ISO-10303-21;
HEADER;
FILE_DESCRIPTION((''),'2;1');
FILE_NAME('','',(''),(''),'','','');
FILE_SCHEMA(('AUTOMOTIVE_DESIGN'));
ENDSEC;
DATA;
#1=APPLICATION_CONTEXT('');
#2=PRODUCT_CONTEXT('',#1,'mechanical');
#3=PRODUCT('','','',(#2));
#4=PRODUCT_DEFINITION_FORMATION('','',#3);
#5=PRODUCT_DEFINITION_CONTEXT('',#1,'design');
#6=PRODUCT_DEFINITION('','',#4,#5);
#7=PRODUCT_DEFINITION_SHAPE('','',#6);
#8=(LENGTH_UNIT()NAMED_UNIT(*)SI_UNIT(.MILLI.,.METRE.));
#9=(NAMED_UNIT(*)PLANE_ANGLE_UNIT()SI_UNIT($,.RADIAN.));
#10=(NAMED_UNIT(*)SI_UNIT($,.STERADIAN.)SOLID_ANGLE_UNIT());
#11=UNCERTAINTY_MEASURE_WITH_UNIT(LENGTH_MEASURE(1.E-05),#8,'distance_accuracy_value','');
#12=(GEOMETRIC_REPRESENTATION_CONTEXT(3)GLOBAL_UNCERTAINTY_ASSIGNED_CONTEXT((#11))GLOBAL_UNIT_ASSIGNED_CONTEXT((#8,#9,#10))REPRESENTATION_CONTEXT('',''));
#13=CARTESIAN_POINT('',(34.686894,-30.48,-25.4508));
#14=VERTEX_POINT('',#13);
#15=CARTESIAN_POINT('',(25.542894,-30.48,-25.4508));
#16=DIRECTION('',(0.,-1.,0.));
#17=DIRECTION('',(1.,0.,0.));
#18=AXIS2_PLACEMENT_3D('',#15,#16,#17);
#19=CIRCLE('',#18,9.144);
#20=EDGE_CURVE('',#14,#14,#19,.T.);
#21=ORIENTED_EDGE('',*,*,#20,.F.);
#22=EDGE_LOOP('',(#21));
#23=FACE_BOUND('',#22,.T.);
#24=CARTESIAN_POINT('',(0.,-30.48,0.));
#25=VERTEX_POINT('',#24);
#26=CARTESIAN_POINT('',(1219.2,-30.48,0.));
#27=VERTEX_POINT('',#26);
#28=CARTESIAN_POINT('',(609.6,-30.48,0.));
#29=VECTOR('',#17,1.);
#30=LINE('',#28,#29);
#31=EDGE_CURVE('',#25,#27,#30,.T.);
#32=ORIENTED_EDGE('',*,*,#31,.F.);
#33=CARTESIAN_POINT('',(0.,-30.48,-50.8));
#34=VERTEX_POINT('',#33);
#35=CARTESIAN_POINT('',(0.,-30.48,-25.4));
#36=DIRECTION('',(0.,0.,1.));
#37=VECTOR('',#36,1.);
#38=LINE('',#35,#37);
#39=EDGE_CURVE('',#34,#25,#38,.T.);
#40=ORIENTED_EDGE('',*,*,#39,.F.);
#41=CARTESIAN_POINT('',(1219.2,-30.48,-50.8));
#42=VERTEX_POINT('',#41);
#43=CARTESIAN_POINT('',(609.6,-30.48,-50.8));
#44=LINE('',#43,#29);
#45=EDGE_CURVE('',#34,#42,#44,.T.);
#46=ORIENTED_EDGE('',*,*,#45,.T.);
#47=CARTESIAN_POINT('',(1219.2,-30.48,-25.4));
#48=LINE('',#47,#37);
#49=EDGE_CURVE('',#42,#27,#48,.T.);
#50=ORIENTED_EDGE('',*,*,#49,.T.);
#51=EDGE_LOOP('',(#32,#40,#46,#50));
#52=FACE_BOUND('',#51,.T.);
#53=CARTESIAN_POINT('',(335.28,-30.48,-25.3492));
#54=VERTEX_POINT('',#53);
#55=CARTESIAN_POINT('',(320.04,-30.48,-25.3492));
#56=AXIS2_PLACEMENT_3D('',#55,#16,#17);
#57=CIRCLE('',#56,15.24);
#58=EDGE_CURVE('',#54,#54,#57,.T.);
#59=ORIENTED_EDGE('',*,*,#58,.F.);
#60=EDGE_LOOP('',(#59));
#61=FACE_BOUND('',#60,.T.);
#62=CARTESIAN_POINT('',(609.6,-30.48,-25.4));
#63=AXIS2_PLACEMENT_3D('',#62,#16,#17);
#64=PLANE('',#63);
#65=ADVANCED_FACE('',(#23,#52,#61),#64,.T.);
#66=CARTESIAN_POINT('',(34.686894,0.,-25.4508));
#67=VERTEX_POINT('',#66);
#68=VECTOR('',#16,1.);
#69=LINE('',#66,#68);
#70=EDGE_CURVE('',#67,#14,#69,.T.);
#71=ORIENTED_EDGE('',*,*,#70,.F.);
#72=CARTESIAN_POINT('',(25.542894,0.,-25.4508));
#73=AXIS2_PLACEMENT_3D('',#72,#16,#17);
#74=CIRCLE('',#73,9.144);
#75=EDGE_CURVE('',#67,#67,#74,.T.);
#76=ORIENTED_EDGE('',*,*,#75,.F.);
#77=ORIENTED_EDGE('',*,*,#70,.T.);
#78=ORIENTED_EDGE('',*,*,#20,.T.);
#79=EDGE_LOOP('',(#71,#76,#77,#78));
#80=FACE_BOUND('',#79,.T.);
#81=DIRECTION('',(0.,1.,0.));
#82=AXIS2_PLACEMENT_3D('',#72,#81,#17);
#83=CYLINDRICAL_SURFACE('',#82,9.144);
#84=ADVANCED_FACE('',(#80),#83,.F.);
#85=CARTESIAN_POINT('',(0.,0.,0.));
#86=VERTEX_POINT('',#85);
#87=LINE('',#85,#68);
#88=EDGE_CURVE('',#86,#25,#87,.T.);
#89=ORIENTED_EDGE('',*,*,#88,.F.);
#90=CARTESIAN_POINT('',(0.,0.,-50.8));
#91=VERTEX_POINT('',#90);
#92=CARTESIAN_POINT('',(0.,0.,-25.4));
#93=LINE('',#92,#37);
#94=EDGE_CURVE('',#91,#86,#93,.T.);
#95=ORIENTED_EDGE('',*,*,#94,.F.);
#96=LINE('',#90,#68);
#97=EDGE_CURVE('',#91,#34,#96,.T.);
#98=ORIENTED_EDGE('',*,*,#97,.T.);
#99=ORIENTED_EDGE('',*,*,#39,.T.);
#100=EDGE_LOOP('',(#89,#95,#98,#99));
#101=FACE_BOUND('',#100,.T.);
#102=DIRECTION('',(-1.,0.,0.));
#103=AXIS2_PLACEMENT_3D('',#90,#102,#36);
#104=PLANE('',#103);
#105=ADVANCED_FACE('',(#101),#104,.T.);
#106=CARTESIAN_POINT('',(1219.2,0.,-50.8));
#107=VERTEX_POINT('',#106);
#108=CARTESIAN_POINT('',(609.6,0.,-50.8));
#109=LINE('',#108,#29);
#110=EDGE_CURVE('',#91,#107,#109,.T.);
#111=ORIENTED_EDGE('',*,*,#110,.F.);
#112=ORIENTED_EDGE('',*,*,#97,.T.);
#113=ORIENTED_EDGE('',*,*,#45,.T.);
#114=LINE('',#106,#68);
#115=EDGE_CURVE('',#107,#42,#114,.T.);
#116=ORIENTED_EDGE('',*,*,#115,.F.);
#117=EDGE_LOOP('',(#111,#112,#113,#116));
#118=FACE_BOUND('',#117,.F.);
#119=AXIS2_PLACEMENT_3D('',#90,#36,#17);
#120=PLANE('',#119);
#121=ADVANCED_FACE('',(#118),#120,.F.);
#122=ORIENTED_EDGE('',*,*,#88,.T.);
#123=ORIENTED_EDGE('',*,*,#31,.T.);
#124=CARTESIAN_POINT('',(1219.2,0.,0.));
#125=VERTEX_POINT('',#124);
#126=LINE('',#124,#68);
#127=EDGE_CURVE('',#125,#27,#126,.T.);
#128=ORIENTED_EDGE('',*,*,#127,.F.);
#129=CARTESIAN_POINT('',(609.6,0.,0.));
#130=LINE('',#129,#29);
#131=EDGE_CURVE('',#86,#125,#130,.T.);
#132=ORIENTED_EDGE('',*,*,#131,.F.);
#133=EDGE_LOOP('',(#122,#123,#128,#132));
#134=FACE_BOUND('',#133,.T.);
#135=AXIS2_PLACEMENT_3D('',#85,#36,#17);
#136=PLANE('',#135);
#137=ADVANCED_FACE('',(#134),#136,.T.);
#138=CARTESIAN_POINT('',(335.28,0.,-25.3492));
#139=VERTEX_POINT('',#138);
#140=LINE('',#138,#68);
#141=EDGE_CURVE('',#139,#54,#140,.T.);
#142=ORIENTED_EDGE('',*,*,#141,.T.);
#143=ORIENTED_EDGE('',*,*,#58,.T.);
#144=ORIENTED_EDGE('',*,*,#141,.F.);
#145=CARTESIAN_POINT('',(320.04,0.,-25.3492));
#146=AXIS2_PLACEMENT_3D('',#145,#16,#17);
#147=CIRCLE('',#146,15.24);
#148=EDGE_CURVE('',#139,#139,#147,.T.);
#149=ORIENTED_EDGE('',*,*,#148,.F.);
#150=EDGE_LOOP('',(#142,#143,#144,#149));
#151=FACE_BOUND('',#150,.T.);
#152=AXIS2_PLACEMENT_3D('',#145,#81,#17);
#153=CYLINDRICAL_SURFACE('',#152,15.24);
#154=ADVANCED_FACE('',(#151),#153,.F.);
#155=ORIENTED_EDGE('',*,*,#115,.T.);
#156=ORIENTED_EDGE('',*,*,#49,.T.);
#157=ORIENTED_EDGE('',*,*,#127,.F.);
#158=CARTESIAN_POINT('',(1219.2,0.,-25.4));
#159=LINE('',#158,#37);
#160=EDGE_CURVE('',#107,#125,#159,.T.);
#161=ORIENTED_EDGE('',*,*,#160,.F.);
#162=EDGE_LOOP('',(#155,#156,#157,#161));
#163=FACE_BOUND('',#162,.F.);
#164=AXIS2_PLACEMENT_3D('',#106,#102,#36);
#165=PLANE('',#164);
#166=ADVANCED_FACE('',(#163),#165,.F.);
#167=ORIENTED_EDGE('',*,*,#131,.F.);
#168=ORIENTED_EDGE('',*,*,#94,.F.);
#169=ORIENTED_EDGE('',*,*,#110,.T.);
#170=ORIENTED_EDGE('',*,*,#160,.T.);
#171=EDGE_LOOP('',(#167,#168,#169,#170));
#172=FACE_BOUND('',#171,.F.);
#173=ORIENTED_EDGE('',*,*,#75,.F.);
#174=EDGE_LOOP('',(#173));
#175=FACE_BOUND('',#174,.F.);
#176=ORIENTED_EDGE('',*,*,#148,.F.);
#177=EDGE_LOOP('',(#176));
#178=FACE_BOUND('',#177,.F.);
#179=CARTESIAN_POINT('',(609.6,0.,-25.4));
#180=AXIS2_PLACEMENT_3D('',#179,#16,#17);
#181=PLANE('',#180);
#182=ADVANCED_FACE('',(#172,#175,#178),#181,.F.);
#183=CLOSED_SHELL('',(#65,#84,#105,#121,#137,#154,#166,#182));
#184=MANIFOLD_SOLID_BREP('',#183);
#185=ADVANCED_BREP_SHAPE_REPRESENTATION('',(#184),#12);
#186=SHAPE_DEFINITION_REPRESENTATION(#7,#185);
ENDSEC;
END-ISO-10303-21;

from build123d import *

# Parameters (mm, degrees)
F0_W     = 1219.2
F0_H     = 50.8
F0_R     = 9.144
F0_R_2   = 15.24
F1_DEPTH = 30.48
F2_DEPTH = 30.48
F3_DEPTH = 30.48
F4_DEPTH = 30.48


with BuildPart() as f1:
    # F0 (on Front) → F1 (new body)
    with BuildSketch(Plane.XZ):
        with Locations((609.6, -25.4)):
            Rectangle(F0_W, F0_H)
        with Locations((25.542894, -25.4508)):
            Circle(F0_R, mode=Mode.SUBTRACT)
        with Locations((320.04, -25.3492)):
            Circle(F0_R_2, mode=Mode.SUBTRACT)
    extrude(amount=F1_DEPTH)

    # F0 (on Front) → F2 (join)
    with BuildSketch(Plane.XZ):
        with Locations((609.6, -25.4)):
            Rectangle(F0_W, F0_H)
        with Locations((25.542894, -25.4508)):
            Circle(F0_R, mode=Mode.SUBTRACT)
        with Locations((320.04, -25.3492)):
            Circle(F0_R_2, mode=Mode.SUBTRACT)
    extrude(amount=F2_DEPTH)

    # F0 (on Front) → F3 (join)
    with BuildSketch(Plane.XZ):
        with Locations((609.6, -25.4)):
            Rectangle(F0_W, F0_H)
        with Locations((25.542894, -25.4508)):
            Circle(F0_R, mode=Mode.SUBTRACT)
        with Locations((320.04, -25.3492)):
            Circle(F0_R_2, mode=Mode.SUBTRACT)
    extrude(amount=F3_DEPTH)

    # F0 (on Front) → F4 (join)
    with BuildSketch(Plane.XZ):
        with Locations((609.6, -25.4)):
            Rectangle(F0_W, F0_H)
        with Locations((25.542894, -25.4508)):
            Circle(F0_R, mode=Mode.SUBTRACT)
        with Locations((320.04, -25.3492)):
            Circle(F0_R_2, mode=Mode.SUBTRACT)
    extrude(amount=F4_DEPTH)


solid = f1.part
